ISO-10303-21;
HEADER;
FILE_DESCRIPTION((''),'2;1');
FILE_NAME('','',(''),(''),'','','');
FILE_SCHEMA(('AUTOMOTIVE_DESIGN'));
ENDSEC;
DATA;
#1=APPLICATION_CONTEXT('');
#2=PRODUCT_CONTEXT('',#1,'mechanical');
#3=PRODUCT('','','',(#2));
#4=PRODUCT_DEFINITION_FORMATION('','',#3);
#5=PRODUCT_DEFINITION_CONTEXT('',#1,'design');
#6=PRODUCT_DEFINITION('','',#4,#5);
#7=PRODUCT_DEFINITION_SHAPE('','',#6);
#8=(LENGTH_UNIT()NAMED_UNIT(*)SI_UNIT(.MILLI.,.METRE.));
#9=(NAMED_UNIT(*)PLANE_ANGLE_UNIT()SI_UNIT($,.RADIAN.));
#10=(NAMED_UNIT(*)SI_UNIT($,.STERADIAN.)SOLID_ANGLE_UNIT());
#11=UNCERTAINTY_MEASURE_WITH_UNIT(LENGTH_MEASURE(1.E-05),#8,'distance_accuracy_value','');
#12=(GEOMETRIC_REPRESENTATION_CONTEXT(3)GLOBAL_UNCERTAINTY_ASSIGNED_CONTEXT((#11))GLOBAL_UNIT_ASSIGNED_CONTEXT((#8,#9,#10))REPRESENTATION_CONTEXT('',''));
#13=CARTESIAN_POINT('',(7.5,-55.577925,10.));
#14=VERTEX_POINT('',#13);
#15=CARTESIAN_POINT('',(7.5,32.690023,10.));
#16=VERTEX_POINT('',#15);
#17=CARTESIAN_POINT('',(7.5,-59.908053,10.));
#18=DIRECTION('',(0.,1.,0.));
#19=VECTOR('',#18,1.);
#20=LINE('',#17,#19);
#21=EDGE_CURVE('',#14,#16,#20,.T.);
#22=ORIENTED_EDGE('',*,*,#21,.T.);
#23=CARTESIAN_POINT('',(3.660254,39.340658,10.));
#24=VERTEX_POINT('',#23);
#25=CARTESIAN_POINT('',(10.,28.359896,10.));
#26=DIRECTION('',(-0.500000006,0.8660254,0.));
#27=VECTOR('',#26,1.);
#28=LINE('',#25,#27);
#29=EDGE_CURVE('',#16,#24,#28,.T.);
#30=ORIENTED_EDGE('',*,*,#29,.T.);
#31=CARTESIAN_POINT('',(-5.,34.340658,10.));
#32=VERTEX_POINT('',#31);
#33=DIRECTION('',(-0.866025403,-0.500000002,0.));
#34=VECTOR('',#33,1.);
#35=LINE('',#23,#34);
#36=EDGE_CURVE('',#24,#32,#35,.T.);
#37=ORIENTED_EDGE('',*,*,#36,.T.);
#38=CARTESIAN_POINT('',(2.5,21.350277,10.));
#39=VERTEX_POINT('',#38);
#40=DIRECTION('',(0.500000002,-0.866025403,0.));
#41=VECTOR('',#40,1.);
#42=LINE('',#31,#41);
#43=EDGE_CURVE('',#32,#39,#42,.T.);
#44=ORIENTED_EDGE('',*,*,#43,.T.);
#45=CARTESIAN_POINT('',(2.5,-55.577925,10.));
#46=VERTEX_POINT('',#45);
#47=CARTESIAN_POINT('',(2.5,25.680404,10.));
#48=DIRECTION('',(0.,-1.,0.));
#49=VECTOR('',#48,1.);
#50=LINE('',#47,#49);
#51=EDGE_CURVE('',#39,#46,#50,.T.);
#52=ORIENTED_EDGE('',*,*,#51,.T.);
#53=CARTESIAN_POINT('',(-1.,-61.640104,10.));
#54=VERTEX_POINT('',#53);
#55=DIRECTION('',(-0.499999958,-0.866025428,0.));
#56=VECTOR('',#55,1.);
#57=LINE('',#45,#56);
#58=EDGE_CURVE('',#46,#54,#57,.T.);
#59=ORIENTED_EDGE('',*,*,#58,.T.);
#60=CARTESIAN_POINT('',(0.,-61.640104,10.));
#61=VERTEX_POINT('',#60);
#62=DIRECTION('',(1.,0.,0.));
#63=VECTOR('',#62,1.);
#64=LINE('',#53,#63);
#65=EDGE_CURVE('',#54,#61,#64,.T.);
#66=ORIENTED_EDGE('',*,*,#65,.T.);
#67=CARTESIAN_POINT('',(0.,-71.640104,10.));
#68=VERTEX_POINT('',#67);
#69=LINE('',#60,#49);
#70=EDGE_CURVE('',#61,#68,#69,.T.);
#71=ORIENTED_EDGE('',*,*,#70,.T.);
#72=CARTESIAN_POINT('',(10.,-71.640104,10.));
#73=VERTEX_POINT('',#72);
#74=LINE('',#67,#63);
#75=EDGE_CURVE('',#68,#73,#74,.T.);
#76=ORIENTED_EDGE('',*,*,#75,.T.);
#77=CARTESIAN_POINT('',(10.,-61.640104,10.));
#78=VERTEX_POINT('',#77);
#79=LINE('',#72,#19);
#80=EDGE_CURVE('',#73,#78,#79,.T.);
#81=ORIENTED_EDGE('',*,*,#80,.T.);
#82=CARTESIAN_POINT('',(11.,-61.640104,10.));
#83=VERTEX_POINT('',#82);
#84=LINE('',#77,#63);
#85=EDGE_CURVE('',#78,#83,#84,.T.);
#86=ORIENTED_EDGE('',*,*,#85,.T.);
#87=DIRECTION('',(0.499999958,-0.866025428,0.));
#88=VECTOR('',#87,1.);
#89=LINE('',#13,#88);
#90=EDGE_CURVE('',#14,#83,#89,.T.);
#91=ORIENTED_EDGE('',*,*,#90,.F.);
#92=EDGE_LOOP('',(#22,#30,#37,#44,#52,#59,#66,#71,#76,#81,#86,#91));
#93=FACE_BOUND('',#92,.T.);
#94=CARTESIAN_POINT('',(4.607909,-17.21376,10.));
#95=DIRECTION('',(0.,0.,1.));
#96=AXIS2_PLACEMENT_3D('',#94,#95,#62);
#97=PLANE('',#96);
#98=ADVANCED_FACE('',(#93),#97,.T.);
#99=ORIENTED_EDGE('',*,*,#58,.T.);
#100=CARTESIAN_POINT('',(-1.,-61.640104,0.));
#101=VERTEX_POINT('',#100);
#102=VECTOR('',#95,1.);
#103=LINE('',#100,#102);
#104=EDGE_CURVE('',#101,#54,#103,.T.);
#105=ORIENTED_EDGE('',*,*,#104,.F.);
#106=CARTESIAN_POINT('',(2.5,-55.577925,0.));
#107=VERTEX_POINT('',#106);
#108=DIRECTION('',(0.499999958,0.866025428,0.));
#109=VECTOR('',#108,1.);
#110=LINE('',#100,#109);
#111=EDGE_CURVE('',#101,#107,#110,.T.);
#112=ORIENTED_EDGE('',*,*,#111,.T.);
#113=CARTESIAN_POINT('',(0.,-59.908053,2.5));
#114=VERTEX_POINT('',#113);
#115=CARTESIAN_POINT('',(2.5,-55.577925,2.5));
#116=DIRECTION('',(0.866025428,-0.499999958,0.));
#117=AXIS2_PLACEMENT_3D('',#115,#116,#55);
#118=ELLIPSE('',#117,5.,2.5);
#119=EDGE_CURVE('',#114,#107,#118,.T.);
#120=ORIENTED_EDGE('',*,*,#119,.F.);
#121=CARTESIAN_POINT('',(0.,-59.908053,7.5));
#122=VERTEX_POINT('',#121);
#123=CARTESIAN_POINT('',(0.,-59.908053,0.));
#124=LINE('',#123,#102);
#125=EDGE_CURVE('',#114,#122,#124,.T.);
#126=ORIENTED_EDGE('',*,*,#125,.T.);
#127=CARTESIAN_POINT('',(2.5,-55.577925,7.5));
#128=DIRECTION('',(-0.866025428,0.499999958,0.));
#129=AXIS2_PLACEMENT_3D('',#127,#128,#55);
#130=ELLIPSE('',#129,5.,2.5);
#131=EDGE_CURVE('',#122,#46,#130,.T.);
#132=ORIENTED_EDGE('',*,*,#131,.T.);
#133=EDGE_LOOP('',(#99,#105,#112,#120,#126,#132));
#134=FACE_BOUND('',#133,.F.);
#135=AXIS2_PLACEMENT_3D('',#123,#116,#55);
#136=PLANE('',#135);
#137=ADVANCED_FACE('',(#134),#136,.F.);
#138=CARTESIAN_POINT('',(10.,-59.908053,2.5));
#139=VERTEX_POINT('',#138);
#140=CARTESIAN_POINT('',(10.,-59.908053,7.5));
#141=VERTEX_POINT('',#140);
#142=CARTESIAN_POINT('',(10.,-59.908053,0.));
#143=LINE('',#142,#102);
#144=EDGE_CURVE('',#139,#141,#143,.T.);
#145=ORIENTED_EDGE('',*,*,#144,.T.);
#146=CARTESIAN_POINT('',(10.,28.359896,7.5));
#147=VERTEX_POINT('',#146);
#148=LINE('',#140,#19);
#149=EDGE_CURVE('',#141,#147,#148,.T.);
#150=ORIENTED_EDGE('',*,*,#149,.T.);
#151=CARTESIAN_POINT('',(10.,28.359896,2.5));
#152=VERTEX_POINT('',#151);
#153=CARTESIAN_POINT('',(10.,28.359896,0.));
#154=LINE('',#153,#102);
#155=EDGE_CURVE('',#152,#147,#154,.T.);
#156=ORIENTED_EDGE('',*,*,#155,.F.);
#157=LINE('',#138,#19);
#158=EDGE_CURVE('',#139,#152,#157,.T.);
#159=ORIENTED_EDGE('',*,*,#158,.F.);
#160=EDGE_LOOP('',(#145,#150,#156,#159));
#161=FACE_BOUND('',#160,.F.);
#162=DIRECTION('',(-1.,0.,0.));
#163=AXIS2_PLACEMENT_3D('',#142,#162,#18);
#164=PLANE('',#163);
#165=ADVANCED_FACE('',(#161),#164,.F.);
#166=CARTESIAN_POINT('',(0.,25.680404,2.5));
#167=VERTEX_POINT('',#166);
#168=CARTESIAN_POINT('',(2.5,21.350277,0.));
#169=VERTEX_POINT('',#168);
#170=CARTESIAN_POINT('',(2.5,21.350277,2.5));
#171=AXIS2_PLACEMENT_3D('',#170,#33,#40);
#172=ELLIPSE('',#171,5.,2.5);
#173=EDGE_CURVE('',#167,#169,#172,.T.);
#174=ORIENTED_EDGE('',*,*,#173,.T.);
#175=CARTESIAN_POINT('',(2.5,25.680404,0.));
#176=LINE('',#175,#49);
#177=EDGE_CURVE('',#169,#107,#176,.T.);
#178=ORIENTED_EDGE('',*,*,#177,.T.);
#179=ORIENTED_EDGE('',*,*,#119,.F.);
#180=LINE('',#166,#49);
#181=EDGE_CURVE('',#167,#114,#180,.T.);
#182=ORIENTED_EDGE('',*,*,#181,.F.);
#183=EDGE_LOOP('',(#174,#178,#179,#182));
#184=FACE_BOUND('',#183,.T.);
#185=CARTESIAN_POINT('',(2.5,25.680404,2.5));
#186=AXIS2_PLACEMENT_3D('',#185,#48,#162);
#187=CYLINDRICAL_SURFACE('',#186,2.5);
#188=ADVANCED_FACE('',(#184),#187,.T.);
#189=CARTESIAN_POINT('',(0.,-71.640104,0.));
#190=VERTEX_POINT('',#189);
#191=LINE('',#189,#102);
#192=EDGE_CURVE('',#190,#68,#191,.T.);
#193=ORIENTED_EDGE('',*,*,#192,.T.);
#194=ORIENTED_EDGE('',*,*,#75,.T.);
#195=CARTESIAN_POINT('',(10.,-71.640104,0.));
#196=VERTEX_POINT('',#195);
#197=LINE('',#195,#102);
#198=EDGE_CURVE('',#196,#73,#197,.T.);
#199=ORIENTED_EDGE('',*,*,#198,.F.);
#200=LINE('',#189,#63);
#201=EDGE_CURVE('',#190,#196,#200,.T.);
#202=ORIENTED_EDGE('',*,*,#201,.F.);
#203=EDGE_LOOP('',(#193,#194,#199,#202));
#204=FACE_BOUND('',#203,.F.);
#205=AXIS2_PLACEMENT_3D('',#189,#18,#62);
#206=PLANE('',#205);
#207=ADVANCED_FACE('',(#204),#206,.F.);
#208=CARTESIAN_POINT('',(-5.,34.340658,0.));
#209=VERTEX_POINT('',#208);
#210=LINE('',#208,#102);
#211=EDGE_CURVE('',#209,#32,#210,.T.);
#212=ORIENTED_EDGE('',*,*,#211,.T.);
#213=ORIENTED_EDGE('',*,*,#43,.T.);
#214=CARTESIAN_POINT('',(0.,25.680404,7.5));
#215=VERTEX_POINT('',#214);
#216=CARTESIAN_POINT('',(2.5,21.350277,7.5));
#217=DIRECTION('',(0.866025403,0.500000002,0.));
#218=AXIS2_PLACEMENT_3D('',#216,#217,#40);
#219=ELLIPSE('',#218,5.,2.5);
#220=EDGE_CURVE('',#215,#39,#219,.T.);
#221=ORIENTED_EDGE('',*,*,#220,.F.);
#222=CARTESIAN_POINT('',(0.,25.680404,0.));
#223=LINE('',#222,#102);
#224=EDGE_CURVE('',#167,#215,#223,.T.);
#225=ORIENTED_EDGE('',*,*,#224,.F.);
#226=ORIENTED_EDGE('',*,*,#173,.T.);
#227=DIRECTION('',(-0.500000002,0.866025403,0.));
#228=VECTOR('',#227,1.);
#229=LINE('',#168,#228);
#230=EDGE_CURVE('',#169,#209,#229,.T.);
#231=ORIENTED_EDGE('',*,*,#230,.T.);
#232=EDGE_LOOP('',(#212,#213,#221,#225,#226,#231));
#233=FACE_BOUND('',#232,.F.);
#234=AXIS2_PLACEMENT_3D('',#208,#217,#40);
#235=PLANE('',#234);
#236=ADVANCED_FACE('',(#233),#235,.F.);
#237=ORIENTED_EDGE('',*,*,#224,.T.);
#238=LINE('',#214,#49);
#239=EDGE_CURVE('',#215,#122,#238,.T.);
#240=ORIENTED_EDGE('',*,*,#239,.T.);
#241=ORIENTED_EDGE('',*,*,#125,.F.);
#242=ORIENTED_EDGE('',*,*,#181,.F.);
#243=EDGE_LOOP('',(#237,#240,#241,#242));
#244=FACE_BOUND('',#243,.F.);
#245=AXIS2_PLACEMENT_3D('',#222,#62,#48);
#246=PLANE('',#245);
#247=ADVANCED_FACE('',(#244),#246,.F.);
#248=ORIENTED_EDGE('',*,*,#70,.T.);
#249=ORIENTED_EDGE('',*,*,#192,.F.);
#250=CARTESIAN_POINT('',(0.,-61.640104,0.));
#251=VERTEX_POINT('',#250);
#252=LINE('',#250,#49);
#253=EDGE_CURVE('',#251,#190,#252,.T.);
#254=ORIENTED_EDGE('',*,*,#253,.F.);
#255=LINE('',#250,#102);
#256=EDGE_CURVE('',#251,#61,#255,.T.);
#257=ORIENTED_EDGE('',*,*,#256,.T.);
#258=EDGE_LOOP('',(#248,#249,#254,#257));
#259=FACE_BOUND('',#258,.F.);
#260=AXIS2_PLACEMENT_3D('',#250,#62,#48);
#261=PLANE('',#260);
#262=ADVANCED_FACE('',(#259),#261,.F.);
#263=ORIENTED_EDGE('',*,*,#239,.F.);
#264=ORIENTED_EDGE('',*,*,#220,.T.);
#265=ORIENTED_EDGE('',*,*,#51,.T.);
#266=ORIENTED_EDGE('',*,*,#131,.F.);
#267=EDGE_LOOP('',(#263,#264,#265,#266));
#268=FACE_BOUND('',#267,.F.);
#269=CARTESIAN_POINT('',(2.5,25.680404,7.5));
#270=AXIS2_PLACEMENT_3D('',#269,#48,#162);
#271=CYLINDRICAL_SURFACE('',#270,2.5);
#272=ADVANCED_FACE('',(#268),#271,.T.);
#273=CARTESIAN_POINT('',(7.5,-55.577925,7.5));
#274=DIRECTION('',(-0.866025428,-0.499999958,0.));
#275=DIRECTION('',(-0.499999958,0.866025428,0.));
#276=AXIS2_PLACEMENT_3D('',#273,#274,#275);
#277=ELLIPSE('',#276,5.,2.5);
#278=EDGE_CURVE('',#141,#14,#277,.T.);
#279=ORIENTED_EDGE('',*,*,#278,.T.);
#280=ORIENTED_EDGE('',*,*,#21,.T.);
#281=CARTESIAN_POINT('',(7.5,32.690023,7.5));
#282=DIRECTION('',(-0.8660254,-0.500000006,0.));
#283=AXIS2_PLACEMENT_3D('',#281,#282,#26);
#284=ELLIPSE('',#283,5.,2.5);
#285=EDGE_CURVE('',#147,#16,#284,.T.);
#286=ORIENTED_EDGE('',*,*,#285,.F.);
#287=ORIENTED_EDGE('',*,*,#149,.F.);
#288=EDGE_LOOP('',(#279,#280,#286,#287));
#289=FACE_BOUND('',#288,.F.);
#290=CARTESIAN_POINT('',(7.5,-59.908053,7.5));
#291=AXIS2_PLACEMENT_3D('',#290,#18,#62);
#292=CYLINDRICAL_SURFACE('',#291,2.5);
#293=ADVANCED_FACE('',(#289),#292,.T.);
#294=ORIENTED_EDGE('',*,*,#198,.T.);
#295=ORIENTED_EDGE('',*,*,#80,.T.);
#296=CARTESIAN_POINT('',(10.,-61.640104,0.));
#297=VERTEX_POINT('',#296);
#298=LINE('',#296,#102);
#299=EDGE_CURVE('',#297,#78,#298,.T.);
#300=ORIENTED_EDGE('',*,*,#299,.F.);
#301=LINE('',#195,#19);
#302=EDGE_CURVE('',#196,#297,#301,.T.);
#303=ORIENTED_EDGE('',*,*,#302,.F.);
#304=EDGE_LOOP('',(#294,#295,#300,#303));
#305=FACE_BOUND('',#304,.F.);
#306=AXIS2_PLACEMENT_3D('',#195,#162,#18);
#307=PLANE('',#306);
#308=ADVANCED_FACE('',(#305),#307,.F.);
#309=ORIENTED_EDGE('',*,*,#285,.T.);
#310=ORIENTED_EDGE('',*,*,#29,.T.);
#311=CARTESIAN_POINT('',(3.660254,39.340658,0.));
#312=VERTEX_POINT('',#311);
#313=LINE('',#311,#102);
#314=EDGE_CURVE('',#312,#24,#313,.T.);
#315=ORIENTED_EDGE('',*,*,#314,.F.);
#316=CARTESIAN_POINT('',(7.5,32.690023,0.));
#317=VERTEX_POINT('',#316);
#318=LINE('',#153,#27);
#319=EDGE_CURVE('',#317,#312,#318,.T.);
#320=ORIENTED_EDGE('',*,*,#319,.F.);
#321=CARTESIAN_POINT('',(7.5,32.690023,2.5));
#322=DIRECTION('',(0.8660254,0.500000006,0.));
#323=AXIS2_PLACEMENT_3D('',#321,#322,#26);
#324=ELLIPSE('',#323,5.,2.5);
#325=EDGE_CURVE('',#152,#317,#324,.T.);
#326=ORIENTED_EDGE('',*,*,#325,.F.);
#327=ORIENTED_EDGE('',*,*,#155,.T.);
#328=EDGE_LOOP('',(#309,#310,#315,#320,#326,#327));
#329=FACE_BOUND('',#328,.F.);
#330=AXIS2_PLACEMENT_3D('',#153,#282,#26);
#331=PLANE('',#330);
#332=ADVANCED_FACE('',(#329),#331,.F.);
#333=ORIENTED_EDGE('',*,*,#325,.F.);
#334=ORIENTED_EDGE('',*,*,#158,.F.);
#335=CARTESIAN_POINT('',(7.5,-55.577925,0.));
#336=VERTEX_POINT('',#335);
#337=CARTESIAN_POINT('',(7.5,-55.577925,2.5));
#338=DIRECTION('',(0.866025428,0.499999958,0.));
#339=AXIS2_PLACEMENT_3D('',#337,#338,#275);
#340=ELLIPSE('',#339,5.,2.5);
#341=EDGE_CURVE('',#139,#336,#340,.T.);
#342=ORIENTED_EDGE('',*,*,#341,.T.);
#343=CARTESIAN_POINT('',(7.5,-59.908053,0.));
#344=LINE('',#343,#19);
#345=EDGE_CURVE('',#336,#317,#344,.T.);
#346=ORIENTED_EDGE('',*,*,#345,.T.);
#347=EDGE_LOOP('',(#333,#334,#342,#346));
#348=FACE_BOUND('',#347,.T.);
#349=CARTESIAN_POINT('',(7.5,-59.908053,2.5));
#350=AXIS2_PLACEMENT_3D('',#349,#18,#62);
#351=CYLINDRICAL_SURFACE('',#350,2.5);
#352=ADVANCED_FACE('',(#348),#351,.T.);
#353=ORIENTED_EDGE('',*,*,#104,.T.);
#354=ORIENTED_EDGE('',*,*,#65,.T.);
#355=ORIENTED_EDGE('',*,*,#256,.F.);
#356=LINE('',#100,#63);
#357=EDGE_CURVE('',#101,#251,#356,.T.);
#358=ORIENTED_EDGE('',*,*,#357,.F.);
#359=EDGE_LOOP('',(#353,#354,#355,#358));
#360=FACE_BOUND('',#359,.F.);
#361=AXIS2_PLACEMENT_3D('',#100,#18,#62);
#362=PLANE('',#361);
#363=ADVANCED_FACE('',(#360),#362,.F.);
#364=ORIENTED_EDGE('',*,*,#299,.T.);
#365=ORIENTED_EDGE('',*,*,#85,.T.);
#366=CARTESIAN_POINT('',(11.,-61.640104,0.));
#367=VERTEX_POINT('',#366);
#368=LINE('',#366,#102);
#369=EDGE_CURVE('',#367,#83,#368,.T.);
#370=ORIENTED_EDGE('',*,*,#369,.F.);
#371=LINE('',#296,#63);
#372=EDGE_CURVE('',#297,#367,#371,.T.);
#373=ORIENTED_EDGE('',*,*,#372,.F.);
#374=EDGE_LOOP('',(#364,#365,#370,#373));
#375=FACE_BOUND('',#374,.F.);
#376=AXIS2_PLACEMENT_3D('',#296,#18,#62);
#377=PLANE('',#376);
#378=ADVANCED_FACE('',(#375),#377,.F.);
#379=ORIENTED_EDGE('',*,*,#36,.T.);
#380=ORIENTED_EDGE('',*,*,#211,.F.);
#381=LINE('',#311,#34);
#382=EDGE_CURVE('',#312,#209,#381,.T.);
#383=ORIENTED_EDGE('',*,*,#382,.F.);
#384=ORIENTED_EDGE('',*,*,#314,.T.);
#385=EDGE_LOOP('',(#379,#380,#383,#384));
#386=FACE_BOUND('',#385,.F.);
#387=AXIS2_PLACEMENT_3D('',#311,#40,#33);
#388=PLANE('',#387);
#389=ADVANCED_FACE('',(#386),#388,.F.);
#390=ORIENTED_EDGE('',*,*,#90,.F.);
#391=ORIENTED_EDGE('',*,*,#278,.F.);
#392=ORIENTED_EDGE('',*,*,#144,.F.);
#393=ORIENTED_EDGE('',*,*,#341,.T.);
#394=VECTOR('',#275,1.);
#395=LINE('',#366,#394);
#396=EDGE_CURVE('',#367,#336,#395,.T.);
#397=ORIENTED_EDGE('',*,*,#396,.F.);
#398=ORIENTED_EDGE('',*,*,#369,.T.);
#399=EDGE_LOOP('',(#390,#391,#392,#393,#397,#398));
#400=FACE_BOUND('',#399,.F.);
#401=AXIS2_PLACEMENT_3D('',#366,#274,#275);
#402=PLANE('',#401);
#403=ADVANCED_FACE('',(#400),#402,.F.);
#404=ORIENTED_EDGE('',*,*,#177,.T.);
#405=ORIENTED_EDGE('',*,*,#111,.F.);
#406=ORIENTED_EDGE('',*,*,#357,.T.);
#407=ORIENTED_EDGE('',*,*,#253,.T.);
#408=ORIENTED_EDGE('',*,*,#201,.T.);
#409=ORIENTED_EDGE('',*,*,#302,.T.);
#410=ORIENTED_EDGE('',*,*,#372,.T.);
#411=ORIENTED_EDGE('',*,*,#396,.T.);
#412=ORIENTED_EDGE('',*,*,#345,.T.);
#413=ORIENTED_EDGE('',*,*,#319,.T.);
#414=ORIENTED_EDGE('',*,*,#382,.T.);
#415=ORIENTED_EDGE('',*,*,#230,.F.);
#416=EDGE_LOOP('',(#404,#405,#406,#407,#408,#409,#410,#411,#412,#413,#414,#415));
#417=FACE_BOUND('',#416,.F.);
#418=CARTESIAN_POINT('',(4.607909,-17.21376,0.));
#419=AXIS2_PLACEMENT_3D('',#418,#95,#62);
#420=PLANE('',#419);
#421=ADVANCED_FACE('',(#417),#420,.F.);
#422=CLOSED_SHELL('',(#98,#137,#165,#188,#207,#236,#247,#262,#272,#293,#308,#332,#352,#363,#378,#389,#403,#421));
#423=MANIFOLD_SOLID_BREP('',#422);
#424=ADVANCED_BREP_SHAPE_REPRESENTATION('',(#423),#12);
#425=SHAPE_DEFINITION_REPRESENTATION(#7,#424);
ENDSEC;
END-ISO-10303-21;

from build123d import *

# Parameters (mm, degrees)
F1_DEPTH = 10
F2_R     = 2.5


with BuildPart() as f1:
    # F0 (on Top) → F1 (new body)
    with BuildSketch(Plane.XY):
        Polygon((0, -61.640104), (0, -71.640104), (10, -71.640104), (10, -61.640104), (11, -61.640104), (10, -59.908053), (10, 28.359896), (3.660254, 39.340658), (-5, 34.340658), (0, 25.680404), (0, -59.908053), (-1, -61.640104), align=None)
    extrude(amount=F1_DEPTH)

    # F2
    f2_edges = [f1.edges().sort_by_distance(p)[0] for p in [
        (0, -17.113824, 10),
        (0, -17.113824, 0),
        (10, -15.774078, 10),
        (10, -15.774078, 0),
    ]]
    fillet(f2_edges, radius=F2_R)


solid = f1.part
